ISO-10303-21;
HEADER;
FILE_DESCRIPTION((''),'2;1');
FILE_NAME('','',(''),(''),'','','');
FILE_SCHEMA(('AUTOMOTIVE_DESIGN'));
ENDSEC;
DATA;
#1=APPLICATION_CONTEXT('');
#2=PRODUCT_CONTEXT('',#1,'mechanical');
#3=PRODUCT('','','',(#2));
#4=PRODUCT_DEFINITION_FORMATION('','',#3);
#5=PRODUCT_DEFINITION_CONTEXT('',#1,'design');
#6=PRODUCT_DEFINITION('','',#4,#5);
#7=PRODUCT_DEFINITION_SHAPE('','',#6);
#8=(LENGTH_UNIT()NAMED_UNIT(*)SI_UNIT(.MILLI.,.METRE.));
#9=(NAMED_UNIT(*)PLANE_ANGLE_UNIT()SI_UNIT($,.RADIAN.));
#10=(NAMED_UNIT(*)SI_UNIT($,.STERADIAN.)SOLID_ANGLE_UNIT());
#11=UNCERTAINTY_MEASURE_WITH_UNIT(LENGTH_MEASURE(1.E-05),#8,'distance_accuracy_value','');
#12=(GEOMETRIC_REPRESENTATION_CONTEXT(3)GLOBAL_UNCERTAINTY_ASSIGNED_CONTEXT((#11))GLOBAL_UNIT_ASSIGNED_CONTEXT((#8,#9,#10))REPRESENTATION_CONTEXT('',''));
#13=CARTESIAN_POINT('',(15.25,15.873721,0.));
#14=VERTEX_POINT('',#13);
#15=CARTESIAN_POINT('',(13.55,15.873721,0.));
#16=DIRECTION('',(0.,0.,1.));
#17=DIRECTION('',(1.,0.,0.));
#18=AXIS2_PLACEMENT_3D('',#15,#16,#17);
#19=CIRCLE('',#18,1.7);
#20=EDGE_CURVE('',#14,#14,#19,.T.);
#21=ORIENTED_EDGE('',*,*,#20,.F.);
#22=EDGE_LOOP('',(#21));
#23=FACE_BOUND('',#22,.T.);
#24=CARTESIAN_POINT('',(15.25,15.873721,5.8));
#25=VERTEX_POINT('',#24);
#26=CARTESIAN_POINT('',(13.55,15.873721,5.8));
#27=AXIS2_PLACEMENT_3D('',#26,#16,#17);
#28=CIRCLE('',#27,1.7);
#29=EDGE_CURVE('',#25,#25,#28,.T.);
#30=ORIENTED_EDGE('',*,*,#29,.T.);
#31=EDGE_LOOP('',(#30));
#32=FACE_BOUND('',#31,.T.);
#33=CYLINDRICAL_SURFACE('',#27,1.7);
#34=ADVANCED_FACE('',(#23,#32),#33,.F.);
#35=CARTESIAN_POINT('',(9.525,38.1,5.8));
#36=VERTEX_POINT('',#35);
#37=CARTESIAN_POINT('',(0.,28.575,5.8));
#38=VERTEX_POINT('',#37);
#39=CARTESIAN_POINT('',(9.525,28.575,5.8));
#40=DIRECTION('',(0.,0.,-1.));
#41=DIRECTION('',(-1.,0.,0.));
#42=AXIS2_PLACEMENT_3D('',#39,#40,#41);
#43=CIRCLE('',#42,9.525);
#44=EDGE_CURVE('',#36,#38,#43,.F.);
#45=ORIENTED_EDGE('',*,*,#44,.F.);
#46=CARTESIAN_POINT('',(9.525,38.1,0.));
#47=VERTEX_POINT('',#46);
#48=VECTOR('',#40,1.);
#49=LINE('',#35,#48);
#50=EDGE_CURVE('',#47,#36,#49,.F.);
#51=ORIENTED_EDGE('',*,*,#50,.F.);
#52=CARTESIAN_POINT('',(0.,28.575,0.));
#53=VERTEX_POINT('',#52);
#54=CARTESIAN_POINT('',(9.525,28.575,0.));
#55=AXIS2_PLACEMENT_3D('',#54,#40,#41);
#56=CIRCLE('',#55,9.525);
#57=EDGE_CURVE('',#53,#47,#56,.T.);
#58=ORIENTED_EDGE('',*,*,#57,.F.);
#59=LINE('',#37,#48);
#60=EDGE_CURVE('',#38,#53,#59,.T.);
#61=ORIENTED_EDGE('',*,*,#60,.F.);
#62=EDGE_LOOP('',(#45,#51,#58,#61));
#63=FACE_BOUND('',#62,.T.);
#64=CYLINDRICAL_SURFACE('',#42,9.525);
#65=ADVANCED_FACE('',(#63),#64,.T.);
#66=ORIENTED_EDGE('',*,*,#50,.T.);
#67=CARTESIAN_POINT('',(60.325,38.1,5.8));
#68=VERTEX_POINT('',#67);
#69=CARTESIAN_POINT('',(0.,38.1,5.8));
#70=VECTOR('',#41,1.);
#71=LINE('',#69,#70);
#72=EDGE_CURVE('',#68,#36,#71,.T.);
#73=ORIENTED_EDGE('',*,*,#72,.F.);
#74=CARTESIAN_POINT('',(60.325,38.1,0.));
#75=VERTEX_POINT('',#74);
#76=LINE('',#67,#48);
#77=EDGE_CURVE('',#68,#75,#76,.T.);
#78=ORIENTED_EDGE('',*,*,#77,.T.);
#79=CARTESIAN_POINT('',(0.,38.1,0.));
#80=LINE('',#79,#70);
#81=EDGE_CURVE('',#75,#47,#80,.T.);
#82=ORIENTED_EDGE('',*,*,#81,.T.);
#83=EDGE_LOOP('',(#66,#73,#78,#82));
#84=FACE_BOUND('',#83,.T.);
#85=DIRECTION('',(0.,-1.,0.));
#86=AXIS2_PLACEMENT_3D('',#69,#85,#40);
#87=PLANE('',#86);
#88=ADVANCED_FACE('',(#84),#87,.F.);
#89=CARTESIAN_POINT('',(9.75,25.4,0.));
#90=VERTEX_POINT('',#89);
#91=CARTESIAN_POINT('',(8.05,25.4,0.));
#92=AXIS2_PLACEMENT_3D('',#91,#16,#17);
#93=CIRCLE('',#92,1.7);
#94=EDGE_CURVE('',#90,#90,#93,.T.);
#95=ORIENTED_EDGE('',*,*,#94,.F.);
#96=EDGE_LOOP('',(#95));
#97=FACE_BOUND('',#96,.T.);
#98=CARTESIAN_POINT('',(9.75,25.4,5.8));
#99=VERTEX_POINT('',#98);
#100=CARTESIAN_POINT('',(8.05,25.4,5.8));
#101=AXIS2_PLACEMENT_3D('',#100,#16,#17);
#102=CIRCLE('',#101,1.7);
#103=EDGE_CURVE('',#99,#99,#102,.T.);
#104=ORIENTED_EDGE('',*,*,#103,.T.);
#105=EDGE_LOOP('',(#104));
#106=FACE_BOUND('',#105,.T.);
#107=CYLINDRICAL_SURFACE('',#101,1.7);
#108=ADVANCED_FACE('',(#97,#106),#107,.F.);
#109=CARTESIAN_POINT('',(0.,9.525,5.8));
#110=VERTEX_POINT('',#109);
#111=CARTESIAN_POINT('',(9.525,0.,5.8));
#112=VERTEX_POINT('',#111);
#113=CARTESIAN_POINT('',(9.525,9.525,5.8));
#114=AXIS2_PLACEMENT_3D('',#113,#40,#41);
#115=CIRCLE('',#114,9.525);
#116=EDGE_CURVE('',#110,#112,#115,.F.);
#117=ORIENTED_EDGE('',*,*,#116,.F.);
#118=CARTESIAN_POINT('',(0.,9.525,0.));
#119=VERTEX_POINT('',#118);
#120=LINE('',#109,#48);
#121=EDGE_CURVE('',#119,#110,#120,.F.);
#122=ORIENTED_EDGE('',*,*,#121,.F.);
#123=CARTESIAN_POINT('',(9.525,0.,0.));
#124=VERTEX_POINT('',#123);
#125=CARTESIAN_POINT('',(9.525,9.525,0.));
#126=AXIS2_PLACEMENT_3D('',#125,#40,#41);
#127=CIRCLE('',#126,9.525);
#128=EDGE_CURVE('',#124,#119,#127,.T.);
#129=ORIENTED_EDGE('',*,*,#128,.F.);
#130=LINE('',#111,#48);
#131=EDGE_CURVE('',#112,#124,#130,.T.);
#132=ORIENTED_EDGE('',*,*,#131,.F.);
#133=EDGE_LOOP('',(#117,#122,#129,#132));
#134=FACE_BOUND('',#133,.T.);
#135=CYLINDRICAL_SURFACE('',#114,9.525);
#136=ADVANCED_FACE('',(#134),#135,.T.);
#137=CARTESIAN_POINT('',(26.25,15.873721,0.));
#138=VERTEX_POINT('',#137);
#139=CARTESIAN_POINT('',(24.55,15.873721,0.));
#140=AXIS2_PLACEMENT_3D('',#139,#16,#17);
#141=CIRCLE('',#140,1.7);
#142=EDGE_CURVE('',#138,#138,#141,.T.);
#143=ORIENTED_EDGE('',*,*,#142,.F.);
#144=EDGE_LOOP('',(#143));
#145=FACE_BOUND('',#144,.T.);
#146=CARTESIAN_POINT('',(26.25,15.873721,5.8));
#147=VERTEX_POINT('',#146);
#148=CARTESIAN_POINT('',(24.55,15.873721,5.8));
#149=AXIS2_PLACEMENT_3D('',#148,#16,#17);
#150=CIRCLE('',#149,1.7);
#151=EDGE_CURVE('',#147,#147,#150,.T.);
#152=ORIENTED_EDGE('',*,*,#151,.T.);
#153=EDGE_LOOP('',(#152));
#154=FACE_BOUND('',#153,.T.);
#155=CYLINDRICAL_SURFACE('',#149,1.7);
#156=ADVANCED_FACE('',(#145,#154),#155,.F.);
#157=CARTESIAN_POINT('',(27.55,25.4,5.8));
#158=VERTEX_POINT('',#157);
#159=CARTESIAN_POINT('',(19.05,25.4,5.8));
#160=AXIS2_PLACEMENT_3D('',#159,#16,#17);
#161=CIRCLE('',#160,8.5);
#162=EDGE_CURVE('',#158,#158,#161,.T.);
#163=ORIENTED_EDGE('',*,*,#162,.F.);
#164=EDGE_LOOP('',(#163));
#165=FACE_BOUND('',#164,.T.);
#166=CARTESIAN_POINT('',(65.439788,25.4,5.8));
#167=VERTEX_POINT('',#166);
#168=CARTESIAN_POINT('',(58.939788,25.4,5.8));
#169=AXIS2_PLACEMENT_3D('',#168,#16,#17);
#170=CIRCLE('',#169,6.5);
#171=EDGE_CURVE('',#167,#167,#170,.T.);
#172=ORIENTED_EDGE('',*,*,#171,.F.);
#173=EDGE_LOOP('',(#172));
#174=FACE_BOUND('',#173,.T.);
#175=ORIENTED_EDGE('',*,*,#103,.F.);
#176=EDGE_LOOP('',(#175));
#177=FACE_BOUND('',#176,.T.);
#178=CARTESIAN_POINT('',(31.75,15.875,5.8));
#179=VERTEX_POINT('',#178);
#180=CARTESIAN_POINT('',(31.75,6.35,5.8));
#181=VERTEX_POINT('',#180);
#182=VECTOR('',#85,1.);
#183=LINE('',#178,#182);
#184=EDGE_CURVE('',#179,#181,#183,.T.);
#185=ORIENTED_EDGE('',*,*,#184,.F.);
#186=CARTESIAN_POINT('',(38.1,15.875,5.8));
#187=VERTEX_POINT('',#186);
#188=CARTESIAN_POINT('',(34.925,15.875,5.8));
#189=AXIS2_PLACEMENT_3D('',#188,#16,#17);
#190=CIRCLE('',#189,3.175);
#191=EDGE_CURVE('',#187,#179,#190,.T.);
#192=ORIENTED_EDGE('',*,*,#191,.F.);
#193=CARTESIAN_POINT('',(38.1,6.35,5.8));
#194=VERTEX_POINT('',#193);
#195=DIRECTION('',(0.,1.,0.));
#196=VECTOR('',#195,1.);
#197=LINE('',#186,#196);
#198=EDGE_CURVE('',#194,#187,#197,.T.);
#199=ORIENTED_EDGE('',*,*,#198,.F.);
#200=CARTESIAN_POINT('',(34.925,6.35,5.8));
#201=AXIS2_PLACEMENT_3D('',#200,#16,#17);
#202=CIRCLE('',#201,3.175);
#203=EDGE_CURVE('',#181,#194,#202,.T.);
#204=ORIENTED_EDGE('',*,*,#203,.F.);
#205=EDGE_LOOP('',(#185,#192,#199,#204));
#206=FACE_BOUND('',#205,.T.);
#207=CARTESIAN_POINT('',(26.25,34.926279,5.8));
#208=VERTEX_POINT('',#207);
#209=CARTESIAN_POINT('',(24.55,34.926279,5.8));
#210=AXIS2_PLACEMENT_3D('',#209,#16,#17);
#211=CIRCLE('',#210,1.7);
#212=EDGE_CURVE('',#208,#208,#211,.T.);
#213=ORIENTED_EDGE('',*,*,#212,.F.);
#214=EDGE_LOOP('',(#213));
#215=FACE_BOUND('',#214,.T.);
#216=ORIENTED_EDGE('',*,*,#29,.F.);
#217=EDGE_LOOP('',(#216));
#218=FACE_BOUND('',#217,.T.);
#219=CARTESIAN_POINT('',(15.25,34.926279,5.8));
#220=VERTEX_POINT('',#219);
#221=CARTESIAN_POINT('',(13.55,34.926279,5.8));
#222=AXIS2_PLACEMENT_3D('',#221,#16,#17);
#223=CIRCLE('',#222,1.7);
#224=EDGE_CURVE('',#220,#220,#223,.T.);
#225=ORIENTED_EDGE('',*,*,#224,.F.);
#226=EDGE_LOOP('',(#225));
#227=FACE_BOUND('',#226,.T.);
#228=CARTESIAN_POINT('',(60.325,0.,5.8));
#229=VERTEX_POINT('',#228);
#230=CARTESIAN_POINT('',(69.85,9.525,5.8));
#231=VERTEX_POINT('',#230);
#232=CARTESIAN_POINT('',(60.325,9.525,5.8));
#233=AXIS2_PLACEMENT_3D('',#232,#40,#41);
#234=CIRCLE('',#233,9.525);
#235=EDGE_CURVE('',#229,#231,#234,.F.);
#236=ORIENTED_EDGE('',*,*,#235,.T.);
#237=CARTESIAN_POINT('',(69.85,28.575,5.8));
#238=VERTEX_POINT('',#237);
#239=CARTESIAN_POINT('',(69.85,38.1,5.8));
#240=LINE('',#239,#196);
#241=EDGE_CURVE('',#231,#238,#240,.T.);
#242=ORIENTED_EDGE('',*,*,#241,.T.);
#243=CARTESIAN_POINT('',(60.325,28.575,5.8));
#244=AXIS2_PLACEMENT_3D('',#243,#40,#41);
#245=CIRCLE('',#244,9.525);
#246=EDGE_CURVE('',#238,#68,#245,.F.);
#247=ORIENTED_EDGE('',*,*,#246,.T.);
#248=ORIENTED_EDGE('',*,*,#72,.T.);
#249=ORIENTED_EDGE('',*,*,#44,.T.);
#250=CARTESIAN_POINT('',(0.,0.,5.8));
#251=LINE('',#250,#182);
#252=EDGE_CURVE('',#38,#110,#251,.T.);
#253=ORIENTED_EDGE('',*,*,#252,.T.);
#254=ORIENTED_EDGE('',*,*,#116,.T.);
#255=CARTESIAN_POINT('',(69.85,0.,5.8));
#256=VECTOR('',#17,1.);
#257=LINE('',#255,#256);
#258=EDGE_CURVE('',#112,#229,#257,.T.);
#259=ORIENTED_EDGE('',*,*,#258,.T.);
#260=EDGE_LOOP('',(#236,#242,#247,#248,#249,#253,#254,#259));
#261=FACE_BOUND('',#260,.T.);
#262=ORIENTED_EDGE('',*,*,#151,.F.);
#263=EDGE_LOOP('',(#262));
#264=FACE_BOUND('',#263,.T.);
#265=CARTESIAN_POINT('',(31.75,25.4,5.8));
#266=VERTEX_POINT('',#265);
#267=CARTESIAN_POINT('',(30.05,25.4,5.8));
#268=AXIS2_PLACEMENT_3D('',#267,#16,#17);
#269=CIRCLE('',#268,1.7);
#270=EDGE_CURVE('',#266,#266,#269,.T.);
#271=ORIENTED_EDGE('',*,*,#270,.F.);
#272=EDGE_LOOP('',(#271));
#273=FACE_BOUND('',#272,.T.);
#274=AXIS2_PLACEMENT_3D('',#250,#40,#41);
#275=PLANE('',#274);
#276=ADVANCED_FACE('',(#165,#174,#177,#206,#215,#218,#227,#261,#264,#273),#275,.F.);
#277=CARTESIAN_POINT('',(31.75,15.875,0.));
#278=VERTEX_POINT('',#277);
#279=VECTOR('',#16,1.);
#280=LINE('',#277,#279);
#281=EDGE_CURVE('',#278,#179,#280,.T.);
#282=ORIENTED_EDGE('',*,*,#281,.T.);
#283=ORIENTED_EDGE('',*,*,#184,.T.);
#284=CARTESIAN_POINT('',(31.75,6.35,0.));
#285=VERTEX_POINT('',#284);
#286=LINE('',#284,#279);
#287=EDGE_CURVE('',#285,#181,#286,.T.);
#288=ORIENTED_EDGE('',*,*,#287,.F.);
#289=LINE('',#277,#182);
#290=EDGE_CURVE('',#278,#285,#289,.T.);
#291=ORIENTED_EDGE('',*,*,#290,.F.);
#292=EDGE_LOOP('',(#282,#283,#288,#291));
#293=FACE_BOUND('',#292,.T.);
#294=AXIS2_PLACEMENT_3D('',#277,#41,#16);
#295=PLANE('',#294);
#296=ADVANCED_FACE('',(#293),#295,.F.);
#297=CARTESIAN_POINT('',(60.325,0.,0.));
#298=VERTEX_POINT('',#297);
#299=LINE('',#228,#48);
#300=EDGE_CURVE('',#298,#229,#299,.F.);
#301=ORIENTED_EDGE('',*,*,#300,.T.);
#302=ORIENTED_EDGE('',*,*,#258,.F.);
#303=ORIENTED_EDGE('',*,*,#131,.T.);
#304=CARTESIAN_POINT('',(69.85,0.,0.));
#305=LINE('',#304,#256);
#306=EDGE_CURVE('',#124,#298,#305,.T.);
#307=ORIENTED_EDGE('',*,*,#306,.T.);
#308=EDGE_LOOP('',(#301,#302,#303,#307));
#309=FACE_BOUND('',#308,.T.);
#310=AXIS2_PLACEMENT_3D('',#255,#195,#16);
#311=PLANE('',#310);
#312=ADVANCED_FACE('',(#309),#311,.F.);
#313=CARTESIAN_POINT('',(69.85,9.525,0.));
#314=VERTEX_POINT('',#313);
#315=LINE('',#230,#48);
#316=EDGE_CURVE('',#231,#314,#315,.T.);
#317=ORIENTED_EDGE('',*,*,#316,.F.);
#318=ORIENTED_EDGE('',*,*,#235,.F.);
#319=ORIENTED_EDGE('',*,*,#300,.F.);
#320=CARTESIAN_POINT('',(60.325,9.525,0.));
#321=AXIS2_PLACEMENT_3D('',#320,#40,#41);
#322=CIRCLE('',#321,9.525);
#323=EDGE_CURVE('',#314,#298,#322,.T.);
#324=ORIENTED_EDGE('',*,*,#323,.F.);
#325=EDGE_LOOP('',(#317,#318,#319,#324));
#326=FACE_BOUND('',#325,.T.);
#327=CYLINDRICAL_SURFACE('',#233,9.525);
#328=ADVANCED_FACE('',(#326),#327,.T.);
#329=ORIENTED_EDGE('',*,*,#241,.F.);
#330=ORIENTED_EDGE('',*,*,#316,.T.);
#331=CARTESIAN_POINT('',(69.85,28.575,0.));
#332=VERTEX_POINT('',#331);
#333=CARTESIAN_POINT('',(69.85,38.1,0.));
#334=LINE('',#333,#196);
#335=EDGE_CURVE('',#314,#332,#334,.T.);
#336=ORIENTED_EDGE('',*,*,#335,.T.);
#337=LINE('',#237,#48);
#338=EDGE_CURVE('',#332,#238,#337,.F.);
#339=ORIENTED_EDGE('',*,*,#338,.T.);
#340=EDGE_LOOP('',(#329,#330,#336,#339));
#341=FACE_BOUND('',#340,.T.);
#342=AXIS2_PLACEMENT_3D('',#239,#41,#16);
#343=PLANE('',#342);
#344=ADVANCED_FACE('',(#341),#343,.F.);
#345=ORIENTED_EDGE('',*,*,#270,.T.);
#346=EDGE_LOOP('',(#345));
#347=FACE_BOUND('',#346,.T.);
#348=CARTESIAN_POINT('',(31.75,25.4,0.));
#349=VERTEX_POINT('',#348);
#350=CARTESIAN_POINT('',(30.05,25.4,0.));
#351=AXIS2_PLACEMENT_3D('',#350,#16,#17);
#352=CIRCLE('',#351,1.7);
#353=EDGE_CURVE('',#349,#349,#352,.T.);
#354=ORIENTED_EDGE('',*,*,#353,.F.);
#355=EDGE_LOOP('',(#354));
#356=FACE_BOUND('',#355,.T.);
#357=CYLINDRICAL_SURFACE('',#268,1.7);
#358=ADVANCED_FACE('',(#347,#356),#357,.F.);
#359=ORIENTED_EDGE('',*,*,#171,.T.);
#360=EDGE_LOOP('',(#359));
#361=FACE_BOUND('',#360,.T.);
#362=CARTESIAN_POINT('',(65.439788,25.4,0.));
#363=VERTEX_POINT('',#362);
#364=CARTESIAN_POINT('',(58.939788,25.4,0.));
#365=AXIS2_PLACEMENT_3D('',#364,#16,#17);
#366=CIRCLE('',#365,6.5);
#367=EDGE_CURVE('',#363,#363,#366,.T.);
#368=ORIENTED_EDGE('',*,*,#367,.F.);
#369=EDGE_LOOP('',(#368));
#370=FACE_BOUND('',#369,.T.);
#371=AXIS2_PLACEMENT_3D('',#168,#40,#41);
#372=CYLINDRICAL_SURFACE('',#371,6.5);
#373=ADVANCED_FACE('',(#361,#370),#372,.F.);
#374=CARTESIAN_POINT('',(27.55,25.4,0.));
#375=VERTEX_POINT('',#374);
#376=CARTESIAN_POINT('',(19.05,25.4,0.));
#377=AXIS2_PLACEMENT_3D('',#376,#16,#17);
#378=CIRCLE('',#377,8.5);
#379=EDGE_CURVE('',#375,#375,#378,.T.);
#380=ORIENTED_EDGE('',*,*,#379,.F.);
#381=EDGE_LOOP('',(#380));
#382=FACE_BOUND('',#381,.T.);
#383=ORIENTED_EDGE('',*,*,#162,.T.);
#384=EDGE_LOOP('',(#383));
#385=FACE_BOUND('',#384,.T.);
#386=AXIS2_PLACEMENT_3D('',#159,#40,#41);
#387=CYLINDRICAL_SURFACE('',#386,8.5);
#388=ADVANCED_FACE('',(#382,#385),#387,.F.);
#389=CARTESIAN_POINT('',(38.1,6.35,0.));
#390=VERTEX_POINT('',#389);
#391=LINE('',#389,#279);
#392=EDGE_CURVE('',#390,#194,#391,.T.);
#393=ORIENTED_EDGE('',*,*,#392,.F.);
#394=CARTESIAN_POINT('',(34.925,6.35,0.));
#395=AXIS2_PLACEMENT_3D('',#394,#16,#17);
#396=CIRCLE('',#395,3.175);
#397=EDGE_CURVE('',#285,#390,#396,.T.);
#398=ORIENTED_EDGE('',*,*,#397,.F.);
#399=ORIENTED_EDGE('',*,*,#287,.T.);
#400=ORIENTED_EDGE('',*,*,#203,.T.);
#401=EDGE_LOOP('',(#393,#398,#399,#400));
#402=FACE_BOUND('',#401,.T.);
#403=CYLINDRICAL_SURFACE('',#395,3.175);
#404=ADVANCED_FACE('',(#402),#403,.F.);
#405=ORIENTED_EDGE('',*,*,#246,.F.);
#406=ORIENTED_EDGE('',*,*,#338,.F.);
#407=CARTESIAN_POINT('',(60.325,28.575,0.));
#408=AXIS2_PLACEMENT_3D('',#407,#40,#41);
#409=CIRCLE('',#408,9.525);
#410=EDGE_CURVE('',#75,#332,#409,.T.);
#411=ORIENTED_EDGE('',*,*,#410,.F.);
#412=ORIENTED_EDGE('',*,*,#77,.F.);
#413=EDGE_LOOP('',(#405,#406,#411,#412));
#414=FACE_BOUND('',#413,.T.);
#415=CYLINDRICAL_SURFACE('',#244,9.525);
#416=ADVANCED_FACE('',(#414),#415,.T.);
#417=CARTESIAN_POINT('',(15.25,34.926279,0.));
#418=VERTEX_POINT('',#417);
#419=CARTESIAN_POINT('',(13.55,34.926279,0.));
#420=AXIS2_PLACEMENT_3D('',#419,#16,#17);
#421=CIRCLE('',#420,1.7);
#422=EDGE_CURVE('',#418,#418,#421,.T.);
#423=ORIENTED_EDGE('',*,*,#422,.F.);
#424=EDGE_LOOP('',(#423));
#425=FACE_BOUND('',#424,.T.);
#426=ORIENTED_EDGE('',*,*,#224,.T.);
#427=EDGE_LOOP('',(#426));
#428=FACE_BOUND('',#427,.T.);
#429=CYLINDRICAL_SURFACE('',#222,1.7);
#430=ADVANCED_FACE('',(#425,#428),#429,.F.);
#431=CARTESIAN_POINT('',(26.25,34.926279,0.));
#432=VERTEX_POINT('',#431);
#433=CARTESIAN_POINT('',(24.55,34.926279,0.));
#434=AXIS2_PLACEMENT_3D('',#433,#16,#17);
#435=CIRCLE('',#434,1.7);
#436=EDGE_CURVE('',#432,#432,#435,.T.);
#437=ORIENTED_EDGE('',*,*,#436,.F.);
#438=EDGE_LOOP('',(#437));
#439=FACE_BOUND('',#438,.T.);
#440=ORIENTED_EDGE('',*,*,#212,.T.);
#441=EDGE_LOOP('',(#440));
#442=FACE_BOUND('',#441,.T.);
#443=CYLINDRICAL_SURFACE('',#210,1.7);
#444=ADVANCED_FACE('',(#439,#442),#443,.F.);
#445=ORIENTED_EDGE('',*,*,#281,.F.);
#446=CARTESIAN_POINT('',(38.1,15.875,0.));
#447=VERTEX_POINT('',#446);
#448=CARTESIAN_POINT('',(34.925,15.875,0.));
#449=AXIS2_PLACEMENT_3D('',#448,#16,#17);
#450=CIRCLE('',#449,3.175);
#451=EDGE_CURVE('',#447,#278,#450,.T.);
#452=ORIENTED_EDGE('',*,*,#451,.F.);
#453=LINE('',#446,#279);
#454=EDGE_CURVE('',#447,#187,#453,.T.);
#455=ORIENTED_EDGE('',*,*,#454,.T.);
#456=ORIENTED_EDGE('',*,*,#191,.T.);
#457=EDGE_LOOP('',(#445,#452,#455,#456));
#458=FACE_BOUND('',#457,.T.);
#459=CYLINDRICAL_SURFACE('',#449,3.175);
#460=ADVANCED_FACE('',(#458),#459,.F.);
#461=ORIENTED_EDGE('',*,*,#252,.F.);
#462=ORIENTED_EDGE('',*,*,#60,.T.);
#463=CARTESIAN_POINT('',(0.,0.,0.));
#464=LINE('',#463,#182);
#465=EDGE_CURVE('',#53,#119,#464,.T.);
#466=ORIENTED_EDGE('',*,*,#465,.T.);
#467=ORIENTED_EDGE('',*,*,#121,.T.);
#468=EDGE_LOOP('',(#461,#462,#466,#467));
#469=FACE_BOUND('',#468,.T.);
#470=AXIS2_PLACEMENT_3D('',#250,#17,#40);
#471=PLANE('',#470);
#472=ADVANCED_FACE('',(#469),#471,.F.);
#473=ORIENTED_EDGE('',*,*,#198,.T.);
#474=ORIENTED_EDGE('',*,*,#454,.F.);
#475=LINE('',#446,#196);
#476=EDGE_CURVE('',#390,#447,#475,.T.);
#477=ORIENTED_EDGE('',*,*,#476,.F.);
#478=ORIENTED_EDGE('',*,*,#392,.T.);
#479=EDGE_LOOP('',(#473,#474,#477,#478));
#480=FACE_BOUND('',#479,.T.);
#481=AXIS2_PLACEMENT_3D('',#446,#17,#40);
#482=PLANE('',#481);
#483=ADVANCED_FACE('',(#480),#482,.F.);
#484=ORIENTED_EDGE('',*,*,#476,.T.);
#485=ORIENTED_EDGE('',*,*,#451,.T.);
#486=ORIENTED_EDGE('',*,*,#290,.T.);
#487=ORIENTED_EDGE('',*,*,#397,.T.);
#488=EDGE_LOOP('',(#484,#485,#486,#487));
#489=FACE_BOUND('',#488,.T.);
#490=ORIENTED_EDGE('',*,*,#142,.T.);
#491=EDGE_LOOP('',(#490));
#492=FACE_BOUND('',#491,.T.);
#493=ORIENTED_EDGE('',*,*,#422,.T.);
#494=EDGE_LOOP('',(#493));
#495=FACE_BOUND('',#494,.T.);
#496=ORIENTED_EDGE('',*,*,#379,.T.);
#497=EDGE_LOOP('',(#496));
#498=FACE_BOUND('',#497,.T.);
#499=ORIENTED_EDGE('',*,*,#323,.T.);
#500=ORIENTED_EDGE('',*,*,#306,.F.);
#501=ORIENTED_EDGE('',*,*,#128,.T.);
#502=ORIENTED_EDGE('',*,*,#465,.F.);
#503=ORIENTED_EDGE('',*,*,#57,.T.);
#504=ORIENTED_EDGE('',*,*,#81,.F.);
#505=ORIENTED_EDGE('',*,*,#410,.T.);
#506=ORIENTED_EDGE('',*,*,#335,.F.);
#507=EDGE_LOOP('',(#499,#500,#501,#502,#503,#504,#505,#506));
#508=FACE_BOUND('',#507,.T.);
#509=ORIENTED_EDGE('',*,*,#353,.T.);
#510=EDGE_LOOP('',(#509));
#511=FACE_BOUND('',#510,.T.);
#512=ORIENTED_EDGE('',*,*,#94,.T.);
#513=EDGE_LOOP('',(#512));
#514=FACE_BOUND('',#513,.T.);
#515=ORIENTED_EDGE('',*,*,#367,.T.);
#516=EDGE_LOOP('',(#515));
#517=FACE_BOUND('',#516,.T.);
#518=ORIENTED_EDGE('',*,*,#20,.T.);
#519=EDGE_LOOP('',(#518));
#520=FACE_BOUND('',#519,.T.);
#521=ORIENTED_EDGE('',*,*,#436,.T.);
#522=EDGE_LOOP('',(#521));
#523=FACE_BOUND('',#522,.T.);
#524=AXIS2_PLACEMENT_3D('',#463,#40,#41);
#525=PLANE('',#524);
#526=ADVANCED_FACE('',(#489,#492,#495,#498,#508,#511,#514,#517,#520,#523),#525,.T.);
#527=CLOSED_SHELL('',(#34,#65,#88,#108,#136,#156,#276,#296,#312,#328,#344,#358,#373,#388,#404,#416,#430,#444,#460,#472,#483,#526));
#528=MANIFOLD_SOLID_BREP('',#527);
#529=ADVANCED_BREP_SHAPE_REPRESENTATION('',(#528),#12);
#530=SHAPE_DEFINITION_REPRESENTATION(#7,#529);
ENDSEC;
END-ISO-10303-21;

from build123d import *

# Parameters (mm, degrees)
SKETCH1_W            = 69.85
SKETCH1_H            = 38.1
SKETCH1_R            = 6.5
SKETCH1_R_2          = 8.5
BOSS_EXTRUDE1_DEPTH  = 5.8
M3_CLEARANCE_HOLE1_D = 3.4
CUT_EXTRUDE1_DEPTH   = 80.776390618
FILLET1_R            = 9.525


with BuildPart() as part:
    # Sketch1 → Boss-Extrude1 (new body)
    with BuildSketch(Plane.XY):
        with Locations((34.925, 19.05)):
            Rectangle(SKETCH1_W, SKETCH1_H)
        with Locations((58.939787697, 25.4)):
            Circle(SKETCH1_R, mode=Mode.SUBTRACT)
        with Locations((19.05, 25.4)):
            Circle(SKETCH1_R_2, mode=Mode.SUBTRACT)
    extrude(amount=BOSS_EXTRUDE1_DEPTH)

    # M3 Clearance Hole1 (through all)
    with Locations(Plane.XY.offset(5.8)):
        with Locations((30.05, 25.4), (24.55, 34.926279442), (13.55, 34.926279442), (8.05, 25.4), (13.55, 15.873720558), (24.55, 15.873720558)):
            Hole(M3_CLEARANCE_HOLE1_D / 2)

    # Sketch3 → Cut-Extrude1 (cut, through all)
    with BuildSketch(Plane.XY.offset(5.8)):
        with BuildLine():
            Line((31.75, 15.875), (31.75, 6.35))
            ThreePointArc((31.75, 6.35), (34.925, 3.175), (38.1, 6.35))
            Line((38.1, 6.35), (38.1, 15.875))
            ThreePointArc((38.1, 15.875), (34.925, 19.05), (31.75, 15.875))
        make_face()
    extrude(amount=-CUT_EXTRUDE1_DEPTH, mode=Mode.SUBTRACT)

    # Fillet1
    fillet1_edges = [part.edges().sort_by_distance(p)[0] for p in [
        (0, 0, 2.9),
        (0, 38.1, 2.9),
        (69.85, 38.1, 2.9),
        (69.85, 0, 2.9),
    ]]
    fillet(fillet1_edges, radius=FILLET1_R)


solid = part.part
